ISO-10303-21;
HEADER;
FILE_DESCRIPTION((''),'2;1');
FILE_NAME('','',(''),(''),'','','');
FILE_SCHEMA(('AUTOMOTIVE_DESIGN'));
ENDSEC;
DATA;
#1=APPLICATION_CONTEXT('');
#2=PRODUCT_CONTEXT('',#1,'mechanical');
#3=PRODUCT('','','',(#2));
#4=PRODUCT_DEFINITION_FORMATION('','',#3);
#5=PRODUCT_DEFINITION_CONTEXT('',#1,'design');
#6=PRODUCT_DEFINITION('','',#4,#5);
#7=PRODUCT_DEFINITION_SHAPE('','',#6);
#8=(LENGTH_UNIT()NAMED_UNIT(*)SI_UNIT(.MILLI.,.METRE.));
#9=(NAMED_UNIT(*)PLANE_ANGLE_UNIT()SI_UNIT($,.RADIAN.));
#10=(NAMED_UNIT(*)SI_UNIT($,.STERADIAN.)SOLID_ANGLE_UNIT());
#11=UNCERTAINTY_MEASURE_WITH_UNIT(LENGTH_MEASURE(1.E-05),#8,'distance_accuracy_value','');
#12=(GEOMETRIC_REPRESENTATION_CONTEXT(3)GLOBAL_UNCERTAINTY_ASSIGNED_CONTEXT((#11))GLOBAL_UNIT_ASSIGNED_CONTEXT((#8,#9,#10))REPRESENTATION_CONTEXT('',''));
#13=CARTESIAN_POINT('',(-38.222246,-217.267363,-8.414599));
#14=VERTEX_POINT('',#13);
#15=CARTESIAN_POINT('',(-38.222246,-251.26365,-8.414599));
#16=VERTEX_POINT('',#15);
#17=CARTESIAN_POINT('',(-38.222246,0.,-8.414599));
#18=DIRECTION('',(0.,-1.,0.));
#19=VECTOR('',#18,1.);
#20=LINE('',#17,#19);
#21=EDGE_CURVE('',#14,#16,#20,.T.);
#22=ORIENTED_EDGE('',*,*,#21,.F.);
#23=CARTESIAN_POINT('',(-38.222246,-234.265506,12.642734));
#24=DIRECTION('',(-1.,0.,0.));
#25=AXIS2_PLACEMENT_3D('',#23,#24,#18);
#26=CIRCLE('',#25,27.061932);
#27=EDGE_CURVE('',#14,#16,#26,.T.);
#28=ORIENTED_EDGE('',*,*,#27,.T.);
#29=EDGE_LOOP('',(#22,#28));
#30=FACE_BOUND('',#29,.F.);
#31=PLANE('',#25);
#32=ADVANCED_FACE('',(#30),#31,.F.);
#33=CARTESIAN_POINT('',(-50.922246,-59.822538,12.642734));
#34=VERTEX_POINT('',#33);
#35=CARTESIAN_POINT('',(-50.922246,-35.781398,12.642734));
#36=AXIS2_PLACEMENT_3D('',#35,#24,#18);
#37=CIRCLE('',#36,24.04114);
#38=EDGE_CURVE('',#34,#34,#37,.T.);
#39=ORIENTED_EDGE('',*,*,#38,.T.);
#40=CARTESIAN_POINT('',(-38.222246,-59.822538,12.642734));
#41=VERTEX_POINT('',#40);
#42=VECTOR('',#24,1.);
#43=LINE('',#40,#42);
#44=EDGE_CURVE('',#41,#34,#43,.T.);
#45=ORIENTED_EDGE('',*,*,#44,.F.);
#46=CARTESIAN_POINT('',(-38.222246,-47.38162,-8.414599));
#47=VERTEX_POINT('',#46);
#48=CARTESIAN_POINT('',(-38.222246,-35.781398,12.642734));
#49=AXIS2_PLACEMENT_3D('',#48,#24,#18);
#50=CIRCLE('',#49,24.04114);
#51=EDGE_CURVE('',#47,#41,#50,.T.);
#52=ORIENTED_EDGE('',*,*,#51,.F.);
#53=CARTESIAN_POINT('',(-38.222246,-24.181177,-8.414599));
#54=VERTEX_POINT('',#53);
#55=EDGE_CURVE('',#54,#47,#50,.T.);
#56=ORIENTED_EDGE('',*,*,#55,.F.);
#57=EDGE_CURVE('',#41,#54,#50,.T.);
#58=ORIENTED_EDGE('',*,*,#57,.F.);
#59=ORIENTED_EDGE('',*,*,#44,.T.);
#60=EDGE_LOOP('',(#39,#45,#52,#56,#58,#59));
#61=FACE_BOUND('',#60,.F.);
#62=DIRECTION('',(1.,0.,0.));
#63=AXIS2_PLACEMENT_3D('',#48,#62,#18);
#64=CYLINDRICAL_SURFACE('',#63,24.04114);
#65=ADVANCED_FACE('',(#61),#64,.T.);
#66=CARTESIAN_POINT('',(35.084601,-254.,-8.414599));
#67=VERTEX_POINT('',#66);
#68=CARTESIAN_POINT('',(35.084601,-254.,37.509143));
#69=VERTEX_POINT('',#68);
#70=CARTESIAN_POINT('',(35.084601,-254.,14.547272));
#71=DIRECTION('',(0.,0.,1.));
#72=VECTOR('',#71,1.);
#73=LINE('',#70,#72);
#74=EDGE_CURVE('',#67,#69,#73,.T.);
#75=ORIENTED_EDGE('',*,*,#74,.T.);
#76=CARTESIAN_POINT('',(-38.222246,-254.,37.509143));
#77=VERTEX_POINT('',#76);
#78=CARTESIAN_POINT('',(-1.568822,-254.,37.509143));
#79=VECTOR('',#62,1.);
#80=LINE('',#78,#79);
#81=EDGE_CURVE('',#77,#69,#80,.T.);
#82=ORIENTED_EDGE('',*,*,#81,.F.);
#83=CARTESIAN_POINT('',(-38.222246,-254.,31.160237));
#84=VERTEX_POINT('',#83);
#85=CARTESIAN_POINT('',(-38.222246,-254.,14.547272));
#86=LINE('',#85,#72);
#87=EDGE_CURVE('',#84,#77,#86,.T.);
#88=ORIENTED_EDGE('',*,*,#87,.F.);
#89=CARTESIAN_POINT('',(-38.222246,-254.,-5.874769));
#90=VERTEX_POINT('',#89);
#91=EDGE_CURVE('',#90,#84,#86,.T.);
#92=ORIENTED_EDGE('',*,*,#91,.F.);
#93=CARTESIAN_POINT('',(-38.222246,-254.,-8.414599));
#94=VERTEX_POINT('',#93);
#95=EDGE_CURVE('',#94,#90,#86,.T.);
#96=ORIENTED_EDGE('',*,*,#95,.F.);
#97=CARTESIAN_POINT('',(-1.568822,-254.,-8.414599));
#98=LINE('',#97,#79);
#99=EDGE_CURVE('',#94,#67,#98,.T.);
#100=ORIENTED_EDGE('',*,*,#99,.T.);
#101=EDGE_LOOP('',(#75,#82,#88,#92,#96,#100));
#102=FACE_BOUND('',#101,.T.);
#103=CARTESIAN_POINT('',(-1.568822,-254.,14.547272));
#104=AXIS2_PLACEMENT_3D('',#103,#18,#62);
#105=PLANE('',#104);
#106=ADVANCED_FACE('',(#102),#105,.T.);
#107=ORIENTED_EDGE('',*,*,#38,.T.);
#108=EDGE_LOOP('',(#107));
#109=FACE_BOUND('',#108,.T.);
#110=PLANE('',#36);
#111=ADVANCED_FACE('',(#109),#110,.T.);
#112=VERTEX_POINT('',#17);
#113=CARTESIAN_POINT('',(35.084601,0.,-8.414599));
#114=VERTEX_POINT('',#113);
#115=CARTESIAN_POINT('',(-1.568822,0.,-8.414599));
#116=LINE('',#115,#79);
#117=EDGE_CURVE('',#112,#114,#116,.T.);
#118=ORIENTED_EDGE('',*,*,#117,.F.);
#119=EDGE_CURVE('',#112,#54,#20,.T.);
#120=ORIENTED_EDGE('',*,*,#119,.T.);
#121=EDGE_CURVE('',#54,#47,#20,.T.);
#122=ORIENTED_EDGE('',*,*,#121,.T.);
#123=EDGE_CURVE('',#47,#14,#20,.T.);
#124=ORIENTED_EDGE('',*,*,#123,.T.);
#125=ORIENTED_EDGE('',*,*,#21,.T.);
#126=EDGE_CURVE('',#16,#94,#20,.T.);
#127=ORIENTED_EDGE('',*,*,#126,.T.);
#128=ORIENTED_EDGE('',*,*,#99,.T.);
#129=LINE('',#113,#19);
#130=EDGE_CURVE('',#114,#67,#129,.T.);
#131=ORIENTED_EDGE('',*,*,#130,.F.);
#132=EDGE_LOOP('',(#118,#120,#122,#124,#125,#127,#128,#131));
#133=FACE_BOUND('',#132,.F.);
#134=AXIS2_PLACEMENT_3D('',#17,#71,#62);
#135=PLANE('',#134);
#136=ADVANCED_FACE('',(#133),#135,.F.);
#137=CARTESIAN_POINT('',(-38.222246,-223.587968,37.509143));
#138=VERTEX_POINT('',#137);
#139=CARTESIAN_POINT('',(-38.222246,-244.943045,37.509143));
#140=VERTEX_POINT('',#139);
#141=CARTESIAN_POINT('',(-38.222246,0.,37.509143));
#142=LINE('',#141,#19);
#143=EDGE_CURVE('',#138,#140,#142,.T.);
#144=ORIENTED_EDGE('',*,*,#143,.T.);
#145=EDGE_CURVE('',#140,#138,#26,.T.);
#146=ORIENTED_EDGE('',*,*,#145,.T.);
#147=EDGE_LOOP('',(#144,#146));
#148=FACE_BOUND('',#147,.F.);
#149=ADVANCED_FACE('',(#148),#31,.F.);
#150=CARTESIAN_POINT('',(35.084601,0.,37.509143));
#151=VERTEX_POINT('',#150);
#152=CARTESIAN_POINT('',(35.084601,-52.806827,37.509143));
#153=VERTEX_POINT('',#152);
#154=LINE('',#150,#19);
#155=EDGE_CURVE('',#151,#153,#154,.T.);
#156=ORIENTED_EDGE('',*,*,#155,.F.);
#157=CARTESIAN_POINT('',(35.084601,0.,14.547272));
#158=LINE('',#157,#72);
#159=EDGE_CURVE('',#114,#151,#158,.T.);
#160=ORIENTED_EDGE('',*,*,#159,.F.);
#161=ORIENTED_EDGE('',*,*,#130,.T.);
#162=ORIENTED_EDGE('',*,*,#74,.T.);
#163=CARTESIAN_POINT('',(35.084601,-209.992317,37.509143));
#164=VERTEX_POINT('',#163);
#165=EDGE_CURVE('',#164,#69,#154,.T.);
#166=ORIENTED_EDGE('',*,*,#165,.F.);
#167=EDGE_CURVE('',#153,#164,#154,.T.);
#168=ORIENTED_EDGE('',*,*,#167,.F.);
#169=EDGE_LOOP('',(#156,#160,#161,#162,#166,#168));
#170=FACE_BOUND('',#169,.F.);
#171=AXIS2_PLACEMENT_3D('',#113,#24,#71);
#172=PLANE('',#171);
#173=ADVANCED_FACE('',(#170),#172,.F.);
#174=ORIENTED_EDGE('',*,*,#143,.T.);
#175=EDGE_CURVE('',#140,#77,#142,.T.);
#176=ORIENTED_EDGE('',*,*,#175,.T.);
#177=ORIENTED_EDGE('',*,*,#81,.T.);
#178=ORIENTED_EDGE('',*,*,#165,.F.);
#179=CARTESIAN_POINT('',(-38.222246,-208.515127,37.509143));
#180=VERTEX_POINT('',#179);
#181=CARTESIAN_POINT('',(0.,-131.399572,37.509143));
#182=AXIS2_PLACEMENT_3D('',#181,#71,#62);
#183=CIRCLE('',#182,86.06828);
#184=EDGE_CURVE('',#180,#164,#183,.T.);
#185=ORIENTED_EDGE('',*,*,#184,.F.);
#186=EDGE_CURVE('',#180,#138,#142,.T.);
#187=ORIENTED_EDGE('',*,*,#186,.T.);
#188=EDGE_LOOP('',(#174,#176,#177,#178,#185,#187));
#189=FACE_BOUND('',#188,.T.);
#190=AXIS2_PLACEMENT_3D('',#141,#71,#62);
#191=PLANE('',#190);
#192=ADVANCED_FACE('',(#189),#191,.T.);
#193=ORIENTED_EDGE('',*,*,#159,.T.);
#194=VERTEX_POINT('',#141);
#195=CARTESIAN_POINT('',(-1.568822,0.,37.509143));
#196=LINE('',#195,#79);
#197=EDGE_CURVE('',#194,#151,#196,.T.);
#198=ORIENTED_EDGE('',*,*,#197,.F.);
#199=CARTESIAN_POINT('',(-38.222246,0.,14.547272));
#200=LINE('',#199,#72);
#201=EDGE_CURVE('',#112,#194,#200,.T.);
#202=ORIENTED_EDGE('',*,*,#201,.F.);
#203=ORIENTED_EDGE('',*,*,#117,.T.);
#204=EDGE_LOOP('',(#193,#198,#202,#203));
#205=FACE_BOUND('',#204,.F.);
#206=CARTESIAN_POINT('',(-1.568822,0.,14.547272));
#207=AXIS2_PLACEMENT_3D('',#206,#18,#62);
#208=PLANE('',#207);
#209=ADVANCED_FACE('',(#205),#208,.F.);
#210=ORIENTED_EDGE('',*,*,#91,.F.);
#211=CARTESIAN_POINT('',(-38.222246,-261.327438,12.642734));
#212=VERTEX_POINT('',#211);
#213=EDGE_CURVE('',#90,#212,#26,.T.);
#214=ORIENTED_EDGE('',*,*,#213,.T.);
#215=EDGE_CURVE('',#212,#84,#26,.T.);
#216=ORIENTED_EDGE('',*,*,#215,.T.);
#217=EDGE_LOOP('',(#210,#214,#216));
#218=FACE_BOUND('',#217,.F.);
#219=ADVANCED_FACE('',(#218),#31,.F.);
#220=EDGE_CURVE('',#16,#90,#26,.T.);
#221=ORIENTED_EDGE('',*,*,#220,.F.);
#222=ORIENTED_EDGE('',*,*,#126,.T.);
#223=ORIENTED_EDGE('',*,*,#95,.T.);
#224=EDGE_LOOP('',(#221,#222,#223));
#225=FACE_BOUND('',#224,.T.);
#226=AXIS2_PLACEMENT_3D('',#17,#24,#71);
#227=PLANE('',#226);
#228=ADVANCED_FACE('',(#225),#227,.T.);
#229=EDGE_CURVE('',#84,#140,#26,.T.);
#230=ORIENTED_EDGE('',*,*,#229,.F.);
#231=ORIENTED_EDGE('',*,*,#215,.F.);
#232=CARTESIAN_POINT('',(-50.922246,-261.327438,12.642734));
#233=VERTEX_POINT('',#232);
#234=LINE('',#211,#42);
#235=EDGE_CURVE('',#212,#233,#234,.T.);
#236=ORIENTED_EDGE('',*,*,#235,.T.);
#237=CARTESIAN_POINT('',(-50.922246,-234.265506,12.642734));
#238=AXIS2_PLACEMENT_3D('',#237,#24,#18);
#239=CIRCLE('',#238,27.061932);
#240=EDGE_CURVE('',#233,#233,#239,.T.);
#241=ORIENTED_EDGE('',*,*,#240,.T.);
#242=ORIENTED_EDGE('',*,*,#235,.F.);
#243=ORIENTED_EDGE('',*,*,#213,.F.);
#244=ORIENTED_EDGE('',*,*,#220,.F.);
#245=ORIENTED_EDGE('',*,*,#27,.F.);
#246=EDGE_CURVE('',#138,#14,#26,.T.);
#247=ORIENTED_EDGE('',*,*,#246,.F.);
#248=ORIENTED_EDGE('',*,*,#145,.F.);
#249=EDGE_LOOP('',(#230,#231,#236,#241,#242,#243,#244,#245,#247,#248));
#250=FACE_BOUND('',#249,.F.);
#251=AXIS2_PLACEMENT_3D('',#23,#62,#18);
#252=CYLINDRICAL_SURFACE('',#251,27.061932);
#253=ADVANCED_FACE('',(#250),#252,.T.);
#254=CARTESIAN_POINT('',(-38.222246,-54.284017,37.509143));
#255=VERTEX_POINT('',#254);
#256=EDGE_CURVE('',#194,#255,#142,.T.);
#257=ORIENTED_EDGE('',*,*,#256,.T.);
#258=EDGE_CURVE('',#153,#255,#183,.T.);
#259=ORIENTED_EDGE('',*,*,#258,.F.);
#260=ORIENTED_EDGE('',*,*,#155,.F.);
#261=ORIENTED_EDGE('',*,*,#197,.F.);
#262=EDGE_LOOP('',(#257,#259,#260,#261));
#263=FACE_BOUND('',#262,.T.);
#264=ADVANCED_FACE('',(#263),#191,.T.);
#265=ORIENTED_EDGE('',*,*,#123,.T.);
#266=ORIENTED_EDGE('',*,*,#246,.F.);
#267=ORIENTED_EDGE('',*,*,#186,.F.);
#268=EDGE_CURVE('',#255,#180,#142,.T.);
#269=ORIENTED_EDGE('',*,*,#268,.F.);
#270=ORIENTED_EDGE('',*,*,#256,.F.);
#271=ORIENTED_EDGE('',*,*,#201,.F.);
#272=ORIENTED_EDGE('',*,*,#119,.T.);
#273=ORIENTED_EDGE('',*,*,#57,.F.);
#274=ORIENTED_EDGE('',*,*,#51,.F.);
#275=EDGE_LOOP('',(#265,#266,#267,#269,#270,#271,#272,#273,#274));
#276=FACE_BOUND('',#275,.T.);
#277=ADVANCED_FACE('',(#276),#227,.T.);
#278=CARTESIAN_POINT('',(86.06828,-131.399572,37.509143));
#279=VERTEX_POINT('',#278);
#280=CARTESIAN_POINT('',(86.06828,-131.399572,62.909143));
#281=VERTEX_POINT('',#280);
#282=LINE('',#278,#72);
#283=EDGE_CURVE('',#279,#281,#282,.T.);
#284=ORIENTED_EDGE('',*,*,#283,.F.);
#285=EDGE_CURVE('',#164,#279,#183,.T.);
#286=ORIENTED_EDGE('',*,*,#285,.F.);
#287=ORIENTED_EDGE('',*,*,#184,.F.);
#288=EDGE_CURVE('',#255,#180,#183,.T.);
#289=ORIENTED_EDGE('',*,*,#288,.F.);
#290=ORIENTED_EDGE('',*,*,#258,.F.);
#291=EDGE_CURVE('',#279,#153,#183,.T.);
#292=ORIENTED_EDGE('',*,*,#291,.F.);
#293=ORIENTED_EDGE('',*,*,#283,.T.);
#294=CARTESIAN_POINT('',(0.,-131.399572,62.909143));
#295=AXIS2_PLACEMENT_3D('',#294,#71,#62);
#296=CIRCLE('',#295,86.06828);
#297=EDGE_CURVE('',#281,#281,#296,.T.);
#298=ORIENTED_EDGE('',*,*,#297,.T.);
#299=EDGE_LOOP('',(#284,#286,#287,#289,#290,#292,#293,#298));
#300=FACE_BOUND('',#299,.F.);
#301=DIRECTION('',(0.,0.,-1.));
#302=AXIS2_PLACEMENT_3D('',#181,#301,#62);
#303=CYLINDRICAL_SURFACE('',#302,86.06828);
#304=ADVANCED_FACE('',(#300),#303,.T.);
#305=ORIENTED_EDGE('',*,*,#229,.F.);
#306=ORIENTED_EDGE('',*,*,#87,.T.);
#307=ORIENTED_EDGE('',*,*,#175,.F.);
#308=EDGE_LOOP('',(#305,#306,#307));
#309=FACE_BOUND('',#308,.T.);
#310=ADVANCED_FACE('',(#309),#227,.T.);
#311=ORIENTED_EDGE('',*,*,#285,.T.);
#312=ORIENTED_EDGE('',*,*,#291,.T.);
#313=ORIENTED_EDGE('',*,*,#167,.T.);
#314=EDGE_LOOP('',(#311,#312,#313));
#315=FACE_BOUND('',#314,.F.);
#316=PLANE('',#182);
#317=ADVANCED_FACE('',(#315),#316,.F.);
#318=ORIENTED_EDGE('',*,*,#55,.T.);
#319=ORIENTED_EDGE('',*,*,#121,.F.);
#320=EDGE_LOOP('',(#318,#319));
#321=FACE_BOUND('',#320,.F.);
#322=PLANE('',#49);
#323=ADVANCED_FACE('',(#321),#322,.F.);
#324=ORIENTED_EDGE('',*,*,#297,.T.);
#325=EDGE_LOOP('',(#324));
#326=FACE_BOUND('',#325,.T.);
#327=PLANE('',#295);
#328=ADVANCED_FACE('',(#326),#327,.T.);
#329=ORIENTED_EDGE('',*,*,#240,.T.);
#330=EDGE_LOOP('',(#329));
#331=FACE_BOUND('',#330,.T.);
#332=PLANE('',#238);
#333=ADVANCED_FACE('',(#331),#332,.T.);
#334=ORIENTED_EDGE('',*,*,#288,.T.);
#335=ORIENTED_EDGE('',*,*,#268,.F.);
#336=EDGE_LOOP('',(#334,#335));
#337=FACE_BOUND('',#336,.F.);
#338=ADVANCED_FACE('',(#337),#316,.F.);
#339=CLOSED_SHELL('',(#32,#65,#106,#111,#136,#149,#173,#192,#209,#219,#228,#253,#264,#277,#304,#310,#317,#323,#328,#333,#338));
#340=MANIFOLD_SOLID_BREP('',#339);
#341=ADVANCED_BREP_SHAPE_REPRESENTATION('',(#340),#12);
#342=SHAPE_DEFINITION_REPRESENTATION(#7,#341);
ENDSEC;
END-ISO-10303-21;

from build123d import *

# Parameters (mm, degrees)
F0_W     = 73.3068473637
F0_H     = 45.9237424657
F1_DEPTH = 254
F2_R     = 86.0682803243
F3_DEPTH = 25.4
F4_R     = 27.0619318238
F4_R_2   = 24.0411397983
F5_DEPTH = 12.7


with BuildPart() as f1:
    # F0 (on Front) → F1 (new body)
    with BuildSketch(Plane.XZ):
        with Locations((-1.5688221902, 14.5472721197)):
            Rectangle(F0_W, F0_H)
    extrude(amount=F1_DEPTH)

    # F2 (on face) → F3 (join)
    with BuildSketch(Plane.XY.offset(37.5091433525)):
        with Locations((0, -131.3995718956)):
            Circle(F2_R)
    extrude(amount=F3_DEPTH)

    # F4 (on face) → F5 (join)
    with BuildSketch(Plane(origin=(-38.222245872, 0, 0), x_dir=(0, -1, 0), z_dir=(-1, 0, 0))):
        with Locations((234.2655062675, 12.6427337527)):
            Circle(F4_R)
        with Locations((35.7813984156, 12.6427337527)):
            Circle(F4_R_2)
    extrude(amount=F5_DEPTH)


solid = f1.part
